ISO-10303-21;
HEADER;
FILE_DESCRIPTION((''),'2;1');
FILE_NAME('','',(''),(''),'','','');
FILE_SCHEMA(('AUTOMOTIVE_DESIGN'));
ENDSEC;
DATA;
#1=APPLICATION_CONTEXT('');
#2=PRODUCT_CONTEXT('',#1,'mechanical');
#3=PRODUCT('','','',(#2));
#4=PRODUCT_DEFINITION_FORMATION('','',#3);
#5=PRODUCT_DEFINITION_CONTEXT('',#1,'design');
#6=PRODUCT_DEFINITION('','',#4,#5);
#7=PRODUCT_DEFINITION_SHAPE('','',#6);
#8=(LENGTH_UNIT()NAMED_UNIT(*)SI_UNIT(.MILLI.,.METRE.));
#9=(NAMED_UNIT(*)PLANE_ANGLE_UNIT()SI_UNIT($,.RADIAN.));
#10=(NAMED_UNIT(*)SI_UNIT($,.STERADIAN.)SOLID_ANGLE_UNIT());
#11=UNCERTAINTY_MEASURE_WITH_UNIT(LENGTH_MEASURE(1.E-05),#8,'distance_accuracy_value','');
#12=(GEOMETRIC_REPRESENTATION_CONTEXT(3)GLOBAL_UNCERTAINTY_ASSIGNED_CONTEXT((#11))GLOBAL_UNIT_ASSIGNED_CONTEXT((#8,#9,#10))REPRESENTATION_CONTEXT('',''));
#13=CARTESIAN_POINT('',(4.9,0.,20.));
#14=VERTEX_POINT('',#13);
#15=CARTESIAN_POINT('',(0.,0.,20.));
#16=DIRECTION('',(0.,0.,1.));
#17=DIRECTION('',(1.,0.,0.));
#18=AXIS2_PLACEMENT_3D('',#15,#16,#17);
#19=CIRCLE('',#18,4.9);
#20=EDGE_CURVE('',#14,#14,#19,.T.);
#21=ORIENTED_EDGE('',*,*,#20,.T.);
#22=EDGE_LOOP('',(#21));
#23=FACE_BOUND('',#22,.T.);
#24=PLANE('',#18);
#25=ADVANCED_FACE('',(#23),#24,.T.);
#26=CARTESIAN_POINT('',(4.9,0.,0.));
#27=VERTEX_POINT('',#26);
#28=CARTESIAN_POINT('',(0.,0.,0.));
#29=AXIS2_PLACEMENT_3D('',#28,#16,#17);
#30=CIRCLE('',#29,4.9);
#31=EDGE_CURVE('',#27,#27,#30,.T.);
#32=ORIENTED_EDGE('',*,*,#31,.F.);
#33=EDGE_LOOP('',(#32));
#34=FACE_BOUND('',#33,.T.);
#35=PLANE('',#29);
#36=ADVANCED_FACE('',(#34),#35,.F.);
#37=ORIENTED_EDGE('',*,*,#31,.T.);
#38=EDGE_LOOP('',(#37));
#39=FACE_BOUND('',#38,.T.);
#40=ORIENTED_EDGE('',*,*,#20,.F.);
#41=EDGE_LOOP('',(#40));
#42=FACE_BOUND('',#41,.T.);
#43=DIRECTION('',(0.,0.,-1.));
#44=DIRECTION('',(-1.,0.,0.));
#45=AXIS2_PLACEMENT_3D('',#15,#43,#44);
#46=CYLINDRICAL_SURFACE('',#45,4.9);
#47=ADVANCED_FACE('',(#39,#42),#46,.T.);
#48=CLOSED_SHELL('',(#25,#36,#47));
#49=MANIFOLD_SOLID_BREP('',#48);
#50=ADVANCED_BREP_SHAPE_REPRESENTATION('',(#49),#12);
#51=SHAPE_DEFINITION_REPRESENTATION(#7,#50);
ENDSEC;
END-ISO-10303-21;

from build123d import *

# Parameters (mm, degrees)
SKETCH_1_R      = 4.9
EXTRUDE_1_DEPTH = 20


with BuildPart() as part:
    # 草图1 → 凸台-拉伸1 (new body)
    with BuildSketch(Plane.XY):
        Circle(SKETCH_1_R)
    extrude(amount=EXTRUDE_1_DEPTH)


solid = part.part
